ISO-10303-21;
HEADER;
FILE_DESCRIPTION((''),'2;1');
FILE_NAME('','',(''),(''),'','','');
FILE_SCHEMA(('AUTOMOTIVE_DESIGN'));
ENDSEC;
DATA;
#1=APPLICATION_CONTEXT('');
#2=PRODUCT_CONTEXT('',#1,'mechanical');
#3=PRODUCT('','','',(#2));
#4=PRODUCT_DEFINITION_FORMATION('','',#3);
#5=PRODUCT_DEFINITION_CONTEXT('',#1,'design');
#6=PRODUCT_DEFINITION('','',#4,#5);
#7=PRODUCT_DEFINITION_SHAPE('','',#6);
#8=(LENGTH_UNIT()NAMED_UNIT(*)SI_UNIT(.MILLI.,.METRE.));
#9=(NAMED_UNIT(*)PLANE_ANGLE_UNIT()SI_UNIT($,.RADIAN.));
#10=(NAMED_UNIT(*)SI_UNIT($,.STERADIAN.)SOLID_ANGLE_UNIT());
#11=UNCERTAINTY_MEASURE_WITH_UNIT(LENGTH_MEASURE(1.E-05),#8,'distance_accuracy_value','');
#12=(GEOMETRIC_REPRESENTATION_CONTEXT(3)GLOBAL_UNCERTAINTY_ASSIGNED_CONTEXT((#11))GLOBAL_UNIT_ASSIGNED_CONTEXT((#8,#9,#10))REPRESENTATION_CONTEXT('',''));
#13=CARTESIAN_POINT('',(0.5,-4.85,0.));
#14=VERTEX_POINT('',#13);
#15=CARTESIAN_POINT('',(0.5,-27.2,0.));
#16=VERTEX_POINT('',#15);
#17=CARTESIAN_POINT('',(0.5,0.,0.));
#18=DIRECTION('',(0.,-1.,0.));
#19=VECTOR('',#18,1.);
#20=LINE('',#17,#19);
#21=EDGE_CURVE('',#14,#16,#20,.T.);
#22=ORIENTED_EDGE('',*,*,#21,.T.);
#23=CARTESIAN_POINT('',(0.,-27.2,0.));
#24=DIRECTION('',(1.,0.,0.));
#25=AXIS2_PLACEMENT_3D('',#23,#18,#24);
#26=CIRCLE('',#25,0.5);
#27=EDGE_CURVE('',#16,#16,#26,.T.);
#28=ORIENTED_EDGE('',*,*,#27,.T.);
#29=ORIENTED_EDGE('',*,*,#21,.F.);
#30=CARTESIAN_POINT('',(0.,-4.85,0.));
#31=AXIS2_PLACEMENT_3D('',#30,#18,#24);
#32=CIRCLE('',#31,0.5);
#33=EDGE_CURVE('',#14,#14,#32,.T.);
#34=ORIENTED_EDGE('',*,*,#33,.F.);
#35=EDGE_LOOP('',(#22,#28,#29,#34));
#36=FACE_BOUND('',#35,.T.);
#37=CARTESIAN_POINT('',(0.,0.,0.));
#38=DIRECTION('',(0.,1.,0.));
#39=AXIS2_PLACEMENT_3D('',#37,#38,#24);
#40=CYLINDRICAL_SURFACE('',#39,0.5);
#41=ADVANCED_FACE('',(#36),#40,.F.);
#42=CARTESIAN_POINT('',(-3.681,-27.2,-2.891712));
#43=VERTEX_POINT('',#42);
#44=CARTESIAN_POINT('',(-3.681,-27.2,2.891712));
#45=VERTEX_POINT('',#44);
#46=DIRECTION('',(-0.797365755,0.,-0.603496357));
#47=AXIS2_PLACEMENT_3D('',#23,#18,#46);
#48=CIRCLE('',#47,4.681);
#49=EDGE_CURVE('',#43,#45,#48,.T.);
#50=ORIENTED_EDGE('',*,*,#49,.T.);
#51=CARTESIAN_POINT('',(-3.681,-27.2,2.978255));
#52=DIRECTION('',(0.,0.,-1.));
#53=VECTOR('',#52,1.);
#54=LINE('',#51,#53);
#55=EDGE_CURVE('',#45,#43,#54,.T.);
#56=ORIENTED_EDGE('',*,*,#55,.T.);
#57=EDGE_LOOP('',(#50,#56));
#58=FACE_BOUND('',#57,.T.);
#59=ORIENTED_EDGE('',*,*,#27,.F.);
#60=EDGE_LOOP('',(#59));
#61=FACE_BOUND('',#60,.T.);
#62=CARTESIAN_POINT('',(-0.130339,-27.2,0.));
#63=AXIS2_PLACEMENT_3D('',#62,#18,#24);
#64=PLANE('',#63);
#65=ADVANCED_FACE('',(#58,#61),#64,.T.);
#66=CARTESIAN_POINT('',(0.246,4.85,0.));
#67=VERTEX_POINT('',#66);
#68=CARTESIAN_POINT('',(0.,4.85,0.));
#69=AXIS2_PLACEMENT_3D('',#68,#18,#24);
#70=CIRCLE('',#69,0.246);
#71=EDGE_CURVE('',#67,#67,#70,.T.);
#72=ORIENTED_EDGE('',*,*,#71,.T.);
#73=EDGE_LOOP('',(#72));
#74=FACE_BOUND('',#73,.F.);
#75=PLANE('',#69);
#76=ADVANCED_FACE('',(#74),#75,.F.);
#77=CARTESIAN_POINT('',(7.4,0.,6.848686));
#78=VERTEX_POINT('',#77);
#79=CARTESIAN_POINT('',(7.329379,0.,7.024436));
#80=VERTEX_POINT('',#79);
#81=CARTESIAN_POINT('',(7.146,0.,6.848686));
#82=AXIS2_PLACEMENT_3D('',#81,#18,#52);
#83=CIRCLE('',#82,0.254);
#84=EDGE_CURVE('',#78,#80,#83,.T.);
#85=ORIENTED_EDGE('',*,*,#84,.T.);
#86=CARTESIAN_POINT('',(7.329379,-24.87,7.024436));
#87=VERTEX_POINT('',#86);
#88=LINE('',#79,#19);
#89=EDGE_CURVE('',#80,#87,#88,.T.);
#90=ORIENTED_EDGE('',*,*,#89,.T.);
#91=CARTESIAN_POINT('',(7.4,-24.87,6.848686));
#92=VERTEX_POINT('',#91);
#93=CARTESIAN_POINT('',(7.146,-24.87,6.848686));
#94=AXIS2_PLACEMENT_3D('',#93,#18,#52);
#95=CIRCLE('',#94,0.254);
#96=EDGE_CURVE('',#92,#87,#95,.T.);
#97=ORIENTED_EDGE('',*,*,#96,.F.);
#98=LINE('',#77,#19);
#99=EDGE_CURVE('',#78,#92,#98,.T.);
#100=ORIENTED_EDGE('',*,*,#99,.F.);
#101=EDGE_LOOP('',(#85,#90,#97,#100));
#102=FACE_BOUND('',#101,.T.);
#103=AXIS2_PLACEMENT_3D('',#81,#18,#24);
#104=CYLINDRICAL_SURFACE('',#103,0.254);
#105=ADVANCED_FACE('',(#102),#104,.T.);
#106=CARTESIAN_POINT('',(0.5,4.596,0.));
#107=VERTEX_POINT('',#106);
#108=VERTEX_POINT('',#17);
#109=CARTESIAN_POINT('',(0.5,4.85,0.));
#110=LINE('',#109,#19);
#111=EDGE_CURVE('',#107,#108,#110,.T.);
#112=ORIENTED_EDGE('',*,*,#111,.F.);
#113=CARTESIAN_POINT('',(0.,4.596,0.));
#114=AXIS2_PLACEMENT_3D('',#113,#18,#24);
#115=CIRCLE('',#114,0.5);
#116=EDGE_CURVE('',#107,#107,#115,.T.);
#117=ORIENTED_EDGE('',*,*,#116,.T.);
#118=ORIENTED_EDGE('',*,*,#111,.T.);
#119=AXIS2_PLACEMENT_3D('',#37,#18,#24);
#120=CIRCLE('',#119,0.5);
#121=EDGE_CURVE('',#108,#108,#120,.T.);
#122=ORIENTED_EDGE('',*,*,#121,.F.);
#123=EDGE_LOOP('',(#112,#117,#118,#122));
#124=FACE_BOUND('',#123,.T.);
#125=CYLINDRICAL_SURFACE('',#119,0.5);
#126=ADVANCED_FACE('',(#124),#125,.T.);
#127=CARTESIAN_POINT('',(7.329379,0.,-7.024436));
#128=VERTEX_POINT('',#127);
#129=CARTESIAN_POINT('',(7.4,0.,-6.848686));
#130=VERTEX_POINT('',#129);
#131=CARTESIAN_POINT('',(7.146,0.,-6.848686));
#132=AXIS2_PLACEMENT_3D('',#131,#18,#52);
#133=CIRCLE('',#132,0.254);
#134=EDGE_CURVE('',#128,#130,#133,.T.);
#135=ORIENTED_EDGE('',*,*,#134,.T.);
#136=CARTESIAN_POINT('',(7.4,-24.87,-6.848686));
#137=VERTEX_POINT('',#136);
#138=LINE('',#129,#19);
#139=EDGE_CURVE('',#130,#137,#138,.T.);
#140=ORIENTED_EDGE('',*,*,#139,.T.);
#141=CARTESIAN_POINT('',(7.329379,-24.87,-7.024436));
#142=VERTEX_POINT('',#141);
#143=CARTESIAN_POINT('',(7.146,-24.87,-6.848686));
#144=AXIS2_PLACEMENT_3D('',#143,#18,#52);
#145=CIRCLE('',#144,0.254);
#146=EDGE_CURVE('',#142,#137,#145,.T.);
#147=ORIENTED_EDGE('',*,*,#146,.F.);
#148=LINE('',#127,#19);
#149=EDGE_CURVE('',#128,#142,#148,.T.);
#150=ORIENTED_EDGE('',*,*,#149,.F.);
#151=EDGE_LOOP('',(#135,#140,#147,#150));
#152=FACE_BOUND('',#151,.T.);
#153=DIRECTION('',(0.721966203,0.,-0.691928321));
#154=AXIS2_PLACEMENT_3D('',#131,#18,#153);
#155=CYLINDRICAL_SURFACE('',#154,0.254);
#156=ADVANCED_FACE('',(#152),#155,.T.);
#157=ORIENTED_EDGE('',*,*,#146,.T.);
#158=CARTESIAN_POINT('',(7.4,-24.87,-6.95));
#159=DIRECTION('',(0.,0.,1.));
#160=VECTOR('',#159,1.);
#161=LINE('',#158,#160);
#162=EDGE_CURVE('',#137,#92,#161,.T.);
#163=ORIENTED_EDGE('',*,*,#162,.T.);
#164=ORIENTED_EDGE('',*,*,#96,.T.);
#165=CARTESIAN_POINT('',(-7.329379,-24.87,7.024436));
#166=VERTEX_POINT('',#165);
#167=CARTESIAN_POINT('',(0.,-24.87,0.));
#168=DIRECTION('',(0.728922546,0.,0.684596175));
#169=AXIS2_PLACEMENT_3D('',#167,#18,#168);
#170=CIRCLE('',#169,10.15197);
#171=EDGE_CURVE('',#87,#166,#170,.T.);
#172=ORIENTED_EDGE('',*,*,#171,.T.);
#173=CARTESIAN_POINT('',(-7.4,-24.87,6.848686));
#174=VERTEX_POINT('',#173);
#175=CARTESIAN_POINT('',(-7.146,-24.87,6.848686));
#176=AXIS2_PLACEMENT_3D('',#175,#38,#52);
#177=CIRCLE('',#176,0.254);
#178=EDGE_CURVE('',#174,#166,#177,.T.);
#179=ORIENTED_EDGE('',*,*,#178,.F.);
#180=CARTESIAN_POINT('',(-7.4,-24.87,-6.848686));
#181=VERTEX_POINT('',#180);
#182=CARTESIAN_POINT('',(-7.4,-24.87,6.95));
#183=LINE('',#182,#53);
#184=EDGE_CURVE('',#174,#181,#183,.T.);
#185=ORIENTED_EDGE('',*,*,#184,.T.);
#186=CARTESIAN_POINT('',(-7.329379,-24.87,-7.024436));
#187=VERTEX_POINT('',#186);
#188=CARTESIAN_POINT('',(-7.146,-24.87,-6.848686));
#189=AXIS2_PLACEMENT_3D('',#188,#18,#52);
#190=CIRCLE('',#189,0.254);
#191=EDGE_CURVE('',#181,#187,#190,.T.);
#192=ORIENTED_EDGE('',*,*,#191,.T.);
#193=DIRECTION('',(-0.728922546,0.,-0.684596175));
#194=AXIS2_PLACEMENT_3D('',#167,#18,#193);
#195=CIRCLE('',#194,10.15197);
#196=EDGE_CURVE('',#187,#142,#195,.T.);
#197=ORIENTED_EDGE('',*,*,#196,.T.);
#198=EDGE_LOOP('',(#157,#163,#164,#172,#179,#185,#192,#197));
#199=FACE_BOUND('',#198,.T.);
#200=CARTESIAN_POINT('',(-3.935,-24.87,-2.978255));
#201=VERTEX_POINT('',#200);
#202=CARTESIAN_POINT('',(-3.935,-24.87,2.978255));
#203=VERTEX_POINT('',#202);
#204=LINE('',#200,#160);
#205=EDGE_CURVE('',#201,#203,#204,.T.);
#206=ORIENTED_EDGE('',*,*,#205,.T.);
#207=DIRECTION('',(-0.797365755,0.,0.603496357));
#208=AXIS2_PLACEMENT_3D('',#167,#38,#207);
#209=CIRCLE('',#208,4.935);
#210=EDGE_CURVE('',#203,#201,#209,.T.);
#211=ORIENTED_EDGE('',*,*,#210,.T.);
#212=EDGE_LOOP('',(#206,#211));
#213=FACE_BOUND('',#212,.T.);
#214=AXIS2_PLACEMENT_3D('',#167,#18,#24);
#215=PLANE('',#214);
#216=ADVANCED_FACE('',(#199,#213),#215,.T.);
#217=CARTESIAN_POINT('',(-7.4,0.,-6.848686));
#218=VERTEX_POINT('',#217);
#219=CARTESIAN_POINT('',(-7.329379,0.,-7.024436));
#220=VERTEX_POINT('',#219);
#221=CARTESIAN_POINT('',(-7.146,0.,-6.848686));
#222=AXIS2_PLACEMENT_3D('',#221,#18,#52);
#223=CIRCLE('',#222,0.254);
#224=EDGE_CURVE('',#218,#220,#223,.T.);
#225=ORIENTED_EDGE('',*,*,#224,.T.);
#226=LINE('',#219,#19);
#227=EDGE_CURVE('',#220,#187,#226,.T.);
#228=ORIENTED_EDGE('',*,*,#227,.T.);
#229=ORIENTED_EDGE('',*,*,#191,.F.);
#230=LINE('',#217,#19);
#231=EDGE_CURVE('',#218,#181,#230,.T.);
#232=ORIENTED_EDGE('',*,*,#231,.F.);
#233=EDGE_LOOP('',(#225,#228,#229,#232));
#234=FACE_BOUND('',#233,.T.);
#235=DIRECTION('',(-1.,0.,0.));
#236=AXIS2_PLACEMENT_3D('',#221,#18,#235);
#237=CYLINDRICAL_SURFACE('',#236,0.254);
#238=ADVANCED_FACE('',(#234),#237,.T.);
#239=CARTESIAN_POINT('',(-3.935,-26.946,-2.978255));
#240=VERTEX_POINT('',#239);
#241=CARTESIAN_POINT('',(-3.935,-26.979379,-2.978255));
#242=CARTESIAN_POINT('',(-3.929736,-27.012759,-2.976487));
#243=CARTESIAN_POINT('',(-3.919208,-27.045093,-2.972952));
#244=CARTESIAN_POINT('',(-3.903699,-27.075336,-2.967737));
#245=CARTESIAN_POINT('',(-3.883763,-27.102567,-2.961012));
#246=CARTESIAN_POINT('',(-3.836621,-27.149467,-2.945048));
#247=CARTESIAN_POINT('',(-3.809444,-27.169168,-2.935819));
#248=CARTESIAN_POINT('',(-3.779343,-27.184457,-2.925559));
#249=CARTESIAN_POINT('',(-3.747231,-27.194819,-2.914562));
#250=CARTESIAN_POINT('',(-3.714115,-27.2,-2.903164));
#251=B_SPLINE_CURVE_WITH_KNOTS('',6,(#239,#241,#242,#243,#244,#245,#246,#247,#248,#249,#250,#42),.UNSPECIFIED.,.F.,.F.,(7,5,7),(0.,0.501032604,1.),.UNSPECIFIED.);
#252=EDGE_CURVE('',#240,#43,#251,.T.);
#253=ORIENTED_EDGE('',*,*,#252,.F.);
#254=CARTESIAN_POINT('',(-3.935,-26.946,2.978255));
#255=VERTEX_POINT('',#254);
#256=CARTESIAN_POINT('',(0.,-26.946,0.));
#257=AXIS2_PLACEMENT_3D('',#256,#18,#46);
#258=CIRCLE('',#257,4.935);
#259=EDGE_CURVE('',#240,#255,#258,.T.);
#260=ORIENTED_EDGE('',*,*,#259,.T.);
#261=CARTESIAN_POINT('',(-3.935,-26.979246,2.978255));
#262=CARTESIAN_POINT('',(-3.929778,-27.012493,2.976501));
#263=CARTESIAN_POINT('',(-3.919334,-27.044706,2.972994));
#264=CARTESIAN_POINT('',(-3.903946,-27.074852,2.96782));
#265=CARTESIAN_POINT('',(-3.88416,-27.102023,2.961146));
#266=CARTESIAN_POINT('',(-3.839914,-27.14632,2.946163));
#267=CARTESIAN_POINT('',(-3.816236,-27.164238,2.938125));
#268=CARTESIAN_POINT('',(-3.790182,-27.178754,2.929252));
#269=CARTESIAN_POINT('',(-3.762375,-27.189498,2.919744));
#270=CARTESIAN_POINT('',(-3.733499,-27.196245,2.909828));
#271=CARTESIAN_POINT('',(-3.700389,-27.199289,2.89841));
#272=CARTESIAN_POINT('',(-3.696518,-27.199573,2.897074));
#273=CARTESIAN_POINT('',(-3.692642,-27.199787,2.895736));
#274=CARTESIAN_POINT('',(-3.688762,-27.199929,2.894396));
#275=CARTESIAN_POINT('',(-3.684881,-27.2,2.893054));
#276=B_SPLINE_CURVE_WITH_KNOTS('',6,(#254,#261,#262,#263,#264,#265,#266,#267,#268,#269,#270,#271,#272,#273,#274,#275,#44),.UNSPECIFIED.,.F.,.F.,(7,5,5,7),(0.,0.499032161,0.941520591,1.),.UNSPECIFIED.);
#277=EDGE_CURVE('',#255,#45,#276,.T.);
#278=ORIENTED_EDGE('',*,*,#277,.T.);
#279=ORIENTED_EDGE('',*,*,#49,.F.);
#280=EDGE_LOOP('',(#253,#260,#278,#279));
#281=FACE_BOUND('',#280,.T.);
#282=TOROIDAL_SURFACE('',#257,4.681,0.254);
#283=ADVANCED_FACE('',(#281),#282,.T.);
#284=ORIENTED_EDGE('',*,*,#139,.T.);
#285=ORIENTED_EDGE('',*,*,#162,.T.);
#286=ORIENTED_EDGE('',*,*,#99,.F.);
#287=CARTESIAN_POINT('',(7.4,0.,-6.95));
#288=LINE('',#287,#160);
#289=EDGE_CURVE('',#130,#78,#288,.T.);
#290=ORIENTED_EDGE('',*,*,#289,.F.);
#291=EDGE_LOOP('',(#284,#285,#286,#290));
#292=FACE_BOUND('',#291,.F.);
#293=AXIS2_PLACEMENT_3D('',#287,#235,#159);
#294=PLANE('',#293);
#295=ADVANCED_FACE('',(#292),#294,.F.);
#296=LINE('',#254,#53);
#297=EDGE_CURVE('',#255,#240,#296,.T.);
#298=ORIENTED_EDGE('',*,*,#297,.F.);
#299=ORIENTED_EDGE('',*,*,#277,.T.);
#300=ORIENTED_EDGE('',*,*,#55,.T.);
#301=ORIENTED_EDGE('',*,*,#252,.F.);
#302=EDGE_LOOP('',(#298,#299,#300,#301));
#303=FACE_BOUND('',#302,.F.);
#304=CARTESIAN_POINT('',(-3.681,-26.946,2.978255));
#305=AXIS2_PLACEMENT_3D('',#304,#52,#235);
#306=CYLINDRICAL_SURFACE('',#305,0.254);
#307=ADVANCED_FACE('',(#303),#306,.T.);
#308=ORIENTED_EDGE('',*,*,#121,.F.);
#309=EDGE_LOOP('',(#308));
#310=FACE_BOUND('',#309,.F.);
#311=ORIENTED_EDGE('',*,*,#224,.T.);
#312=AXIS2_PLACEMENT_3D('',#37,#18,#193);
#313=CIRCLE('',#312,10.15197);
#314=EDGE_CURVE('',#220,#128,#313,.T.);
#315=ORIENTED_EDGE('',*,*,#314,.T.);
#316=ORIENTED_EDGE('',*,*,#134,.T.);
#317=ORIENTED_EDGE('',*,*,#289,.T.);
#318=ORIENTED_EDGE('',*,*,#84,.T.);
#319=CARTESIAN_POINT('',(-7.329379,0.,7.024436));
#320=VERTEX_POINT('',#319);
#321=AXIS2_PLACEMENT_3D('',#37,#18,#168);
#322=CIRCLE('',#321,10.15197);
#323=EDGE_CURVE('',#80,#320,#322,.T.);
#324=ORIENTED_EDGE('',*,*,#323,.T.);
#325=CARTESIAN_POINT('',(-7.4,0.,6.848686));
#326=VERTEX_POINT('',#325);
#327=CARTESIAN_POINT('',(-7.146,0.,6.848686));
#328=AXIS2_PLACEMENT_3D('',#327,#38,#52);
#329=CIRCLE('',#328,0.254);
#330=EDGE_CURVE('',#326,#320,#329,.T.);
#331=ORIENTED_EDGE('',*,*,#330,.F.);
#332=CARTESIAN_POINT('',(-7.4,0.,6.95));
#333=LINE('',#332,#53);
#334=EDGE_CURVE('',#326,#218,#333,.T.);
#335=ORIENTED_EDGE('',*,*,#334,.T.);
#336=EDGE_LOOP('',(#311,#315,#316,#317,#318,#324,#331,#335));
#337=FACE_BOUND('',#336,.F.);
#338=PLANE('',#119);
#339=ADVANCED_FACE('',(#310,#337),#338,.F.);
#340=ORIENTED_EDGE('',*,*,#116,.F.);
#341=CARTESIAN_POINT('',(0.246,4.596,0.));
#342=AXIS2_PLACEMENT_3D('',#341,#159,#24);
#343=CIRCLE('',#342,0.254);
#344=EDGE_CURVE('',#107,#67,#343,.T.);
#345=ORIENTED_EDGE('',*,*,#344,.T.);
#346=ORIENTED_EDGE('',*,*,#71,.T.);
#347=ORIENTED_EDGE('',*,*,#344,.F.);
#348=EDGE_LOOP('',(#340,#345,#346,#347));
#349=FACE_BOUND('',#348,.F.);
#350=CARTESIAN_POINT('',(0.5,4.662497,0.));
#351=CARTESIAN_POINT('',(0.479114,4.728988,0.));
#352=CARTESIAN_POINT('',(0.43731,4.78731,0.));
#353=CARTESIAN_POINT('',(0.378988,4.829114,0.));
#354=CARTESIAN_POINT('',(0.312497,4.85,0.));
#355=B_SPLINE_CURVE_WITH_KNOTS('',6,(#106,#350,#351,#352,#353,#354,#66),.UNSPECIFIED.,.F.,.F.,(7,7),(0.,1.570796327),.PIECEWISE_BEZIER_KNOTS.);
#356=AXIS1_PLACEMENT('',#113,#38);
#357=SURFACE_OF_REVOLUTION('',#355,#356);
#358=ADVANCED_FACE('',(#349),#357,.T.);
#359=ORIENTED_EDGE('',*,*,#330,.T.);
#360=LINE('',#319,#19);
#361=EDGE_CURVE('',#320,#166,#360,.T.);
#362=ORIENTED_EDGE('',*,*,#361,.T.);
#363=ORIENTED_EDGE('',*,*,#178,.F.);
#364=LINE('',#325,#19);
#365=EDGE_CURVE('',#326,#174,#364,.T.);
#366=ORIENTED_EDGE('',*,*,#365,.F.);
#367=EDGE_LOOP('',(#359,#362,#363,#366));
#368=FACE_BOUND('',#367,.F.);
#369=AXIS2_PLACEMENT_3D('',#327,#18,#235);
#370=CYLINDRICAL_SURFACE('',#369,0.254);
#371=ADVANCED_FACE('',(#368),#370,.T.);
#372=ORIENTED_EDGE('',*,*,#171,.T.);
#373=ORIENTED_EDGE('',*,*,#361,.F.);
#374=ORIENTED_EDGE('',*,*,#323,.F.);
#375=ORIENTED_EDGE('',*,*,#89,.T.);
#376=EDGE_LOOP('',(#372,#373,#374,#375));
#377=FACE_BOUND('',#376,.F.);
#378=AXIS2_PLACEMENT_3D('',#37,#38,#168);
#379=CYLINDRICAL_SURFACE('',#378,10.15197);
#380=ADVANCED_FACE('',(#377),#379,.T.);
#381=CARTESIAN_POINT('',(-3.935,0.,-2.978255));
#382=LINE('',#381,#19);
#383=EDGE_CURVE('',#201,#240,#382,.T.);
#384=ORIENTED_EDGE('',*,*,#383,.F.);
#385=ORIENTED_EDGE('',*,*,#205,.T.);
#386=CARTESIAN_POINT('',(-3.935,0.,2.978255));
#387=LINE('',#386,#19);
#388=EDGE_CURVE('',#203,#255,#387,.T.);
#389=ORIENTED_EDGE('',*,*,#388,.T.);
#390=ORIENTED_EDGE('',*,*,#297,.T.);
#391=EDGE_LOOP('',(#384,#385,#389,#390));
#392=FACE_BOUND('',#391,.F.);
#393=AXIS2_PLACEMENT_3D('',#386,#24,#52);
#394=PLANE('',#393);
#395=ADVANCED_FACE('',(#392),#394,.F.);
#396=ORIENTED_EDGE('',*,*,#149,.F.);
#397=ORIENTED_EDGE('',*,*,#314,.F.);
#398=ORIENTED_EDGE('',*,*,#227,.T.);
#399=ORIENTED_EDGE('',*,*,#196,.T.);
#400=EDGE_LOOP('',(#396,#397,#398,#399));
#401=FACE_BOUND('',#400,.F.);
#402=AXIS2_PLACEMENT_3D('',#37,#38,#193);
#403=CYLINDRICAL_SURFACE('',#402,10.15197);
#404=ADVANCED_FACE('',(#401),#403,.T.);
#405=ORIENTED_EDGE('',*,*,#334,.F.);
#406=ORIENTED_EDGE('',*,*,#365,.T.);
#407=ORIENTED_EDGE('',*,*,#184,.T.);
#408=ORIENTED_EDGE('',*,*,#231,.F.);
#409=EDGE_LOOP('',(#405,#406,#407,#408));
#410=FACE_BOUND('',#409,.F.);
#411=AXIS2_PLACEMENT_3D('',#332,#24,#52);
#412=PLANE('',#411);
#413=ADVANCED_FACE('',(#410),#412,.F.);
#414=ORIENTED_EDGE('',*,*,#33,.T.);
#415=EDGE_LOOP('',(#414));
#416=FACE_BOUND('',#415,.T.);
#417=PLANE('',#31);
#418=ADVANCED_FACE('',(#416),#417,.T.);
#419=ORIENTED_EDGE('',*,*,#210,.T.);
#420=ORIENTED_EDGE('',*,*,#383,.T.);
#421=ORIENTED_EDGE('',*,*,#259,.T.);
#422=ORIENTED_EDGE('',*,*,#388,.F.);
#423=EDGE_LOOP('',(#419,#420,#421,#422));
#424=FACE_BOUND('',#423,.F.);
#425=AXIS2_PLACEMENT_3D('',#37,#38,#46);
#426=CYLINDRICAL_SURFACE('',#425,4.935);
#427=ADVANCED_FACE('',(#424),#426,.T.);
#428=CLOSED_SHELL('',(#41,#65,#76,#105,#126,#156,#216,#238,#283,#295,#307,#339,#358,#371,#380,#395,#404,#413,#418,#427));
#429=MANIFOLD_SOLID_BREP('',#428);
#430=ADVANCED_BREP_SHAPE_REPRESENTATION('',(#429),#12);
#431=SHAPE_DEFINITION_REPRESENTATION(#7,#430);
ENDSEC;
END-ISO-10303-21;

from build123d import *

# Parameters (mm, degrees)
F1_DEPTH = 24.87
F0_R     = 0.5
F2_DEPTH = 27.2
F3_DEPTH = 4.85
F4_R     = 0.254


with BuildPart() as f1:
    # F0 (on Front) → F1 (new body)
    with BuildSketch(Plane.XZ):
        with BuildLine():
            Line((-7.4, 6.95), (-7.4, -6.95))
            ThreePointArc((-7.4, -6.95), (0, -10.1519702521), (7.4, -6.95))
            Line((7.4, -6.95), (7.4, 6.95))
            ThreePointArc((7.4, 6.95), (0, 10.1519702521), (-7.4, 6.95))
        make_face()
        with BuildLine():
            ThreePointArc((-3.935, 2.9782545224), (4.935, 0), (-3.935, -2.9782545224))
            Line((-3.935, -2.9782545224), (-3.935, 2.9782545224))
        make_face(mode=Mode.SUBTRACT)
    extrude(amount=F1_DEPTH)

    # F0 (on Front) → F2 (join)
    with BuildSketch(Plane.XZ):
        with BuildLine():
            Line((-3.935, 2.9782545224), (-3.935, -2.9782545224))
            ThreePointArc((-3.935, -2.9782545224), (4.935, 0), (-3.935, 2.9782545224))
        make_face()
        Circle(F0_R, mode=Mode.SUBTRACT)
    extrude(amount=F2_DEPTH)

    # F0 (on Front) → F3 (join, symmetric)
    with BuildSketch(Plane.XZ):
        Circle(F0_R)
    extrude(amount=F3_DEPTH, both=True)

    # F4
    f4_edges = [f1.edges().sort_by_distance(p)[0] for p in [
        (-3.935, -27.2, 0),
        (4.935, -27.2, 0),
        (7.4, -12.435, -6.95),
        (7.4, -12.435, 6.95),
        (-7.4, -12.435, 6.95),
        (-7.4, -12.435, -6.95),
        (-0.5, 4.85, 0),
    ]]
    fillet(f4_edges, radius=F4_R)


solid = f1.part
